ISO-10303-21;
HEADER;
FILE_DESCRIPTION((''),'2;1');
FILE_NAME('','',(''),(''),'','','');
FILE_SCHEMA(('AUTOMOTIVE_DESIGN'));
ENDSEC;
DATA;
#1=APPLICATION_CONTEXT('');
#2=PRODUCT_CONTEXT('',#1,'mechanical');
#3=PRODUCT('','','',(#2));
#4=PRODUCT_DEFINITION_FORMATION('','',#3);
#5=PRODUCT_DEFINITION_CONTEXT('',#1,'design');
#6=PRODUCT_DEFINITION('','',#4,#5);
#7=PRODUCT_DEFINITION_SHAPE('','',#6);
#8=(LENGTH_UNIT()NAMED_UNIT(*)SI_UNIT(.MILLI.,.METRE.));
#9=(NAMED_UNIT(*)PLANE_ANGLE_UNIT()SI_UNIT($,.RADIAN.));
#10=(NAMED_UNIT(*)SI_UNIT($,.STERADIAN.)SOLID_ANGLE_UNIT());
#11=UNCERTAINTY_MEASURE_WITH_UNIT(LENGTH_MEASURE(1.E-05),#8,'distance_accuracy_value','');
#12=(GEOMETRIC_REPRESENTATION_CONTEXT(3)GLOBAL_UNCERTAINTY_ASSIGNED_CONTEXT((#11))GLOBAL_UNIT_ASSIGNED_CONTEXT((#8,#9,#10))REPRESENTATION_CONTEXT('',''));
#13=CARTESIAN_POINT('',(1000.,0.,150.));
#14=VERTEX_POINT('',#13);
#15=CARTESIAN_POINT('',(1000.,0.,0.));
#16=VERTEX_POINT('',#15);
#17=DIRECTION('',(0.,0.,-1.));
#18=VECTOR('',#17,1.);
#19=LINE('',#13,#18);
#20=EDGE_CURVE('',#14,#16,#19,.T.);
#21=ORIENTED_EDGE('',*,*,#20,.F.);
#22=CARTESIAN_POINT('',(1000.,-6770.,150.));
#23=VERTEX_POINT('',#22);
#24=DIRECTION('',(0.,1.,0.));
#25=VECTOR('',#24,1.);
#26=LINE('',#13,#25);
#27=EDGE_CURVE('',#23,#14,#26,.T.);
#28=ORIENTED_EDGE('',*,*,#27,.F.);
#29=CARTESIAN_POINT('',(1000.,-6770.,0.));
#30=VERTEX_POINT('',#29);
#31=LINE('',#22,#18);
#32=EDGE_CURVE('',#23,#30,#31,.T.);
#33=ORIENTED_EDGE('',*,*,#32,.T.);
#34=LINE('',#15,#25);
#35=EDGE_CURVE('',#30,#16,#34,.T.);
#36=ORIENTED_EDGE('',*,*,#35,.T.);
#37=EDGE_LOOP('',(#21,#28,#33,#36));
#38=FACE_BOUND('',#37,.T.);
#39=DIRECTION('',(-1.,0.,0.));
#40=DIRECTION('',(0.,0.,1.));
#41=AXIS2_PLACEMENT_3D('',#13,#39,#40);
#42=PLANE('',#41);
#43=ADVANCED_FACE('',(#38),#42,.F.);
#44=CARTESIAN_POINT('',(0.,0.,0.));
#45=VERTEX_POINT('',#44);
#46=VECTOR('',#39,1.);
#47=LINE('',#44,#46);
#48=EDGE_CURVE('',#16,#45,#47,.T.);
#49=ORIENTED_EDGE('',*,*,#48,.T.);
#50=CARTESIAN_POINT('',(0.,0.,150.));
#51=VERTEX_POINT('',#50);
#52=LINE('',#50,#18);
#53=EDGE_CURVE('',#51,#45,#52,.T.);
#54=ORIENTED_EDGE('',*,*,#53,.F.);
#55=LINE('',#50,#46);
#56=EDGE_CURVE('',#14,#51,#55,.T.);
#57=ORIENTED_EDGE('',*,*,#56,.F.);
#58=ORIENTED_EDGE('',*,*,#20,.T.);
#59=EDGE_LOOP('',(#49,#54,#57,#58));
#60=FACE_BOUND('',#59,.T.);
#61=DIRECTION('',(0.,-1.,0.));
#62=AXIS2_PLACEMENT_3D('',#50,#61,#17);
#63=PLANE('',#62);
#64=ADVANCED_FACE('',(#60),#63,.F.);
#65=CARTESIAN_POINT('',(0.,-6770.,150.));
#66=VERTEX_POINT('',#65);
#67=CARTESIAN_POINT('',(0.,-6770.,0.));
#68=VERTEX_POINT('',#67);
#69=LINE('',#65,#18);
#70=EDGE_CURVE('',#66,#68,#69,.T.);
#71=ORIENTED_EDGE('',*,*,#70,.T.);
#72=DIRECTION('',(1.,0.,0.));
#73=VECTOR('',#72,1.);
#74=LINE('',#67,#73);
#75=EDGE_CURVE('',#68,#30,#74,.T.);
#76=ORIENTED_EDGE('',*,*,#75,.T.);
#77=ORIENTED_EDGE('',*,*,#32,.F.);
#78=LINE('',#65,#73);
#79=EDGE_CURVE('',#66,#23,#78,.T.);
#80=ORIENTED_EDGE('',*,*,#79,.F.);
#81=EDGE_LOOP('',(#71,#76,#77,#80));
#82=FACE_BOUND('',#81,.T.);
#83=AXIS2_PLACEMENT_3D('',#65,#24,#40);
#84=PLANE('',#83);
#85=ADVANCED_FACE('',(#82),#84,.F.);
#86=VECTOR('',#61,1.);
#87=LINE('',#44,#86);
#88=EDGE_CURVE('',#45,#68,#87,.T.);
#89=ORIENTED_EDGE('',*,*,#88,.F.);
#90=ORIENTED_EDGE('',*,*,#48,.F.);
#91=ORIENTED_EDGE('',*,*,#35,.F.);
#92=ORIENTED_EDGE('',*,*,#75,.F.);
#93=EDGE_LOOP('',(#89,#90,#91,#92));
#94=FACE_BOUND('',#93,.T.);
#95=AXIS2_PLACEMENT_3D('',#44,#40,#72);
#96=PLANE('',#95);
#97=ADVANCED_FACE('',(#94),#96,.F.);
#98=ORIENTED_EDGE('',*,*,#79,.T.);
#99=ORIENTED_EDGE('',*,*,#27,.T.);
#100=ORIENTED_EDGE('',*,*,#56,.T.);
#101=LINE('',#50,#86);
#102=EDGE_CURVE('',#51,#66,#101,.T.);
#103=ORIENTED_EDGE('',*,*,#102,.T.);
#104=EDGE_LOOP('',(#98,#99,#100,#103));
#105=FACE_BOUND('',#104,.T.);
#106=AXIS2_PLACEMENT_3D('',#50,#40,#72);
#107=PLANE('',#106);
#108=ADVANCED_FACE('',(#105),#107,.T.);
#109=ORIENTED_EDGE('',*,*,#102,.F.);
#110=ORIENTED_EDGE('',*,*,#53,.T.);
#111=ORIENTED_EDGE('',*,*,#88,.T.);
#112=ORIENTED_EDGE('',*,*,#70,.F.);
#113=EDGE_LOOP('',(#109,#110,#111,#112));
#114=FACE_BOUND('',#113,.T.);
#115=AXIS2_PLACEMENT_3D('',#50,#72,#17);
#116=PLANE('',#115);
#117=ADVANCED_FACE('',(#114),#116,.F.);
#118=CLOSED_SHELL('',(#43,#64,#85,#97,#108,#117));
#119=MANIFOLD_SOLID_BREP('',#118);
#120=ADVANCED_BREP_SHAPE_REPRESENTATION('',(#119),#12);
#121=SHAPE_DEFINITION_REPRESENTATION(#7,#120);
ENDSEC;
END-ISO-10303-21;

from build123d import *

# Parameters (mm, degrees)
SKETCH_1_W      = 1000
SKETCH_1_H      = 6770
EXTRUDE_1_DEPTH = 150


with BuildPart() as part:
    # Эскиз1 → Бобышка-Вытянуть1 (new body)
    with BuildSketch(Plane.XY):
        with Locations((500, -3385)):
            Rectangle(SKETCH_1_W, SKETCH_1_H)
    extrude(amount=EXTRUDE_1_DEPTH)


solid = part.part
